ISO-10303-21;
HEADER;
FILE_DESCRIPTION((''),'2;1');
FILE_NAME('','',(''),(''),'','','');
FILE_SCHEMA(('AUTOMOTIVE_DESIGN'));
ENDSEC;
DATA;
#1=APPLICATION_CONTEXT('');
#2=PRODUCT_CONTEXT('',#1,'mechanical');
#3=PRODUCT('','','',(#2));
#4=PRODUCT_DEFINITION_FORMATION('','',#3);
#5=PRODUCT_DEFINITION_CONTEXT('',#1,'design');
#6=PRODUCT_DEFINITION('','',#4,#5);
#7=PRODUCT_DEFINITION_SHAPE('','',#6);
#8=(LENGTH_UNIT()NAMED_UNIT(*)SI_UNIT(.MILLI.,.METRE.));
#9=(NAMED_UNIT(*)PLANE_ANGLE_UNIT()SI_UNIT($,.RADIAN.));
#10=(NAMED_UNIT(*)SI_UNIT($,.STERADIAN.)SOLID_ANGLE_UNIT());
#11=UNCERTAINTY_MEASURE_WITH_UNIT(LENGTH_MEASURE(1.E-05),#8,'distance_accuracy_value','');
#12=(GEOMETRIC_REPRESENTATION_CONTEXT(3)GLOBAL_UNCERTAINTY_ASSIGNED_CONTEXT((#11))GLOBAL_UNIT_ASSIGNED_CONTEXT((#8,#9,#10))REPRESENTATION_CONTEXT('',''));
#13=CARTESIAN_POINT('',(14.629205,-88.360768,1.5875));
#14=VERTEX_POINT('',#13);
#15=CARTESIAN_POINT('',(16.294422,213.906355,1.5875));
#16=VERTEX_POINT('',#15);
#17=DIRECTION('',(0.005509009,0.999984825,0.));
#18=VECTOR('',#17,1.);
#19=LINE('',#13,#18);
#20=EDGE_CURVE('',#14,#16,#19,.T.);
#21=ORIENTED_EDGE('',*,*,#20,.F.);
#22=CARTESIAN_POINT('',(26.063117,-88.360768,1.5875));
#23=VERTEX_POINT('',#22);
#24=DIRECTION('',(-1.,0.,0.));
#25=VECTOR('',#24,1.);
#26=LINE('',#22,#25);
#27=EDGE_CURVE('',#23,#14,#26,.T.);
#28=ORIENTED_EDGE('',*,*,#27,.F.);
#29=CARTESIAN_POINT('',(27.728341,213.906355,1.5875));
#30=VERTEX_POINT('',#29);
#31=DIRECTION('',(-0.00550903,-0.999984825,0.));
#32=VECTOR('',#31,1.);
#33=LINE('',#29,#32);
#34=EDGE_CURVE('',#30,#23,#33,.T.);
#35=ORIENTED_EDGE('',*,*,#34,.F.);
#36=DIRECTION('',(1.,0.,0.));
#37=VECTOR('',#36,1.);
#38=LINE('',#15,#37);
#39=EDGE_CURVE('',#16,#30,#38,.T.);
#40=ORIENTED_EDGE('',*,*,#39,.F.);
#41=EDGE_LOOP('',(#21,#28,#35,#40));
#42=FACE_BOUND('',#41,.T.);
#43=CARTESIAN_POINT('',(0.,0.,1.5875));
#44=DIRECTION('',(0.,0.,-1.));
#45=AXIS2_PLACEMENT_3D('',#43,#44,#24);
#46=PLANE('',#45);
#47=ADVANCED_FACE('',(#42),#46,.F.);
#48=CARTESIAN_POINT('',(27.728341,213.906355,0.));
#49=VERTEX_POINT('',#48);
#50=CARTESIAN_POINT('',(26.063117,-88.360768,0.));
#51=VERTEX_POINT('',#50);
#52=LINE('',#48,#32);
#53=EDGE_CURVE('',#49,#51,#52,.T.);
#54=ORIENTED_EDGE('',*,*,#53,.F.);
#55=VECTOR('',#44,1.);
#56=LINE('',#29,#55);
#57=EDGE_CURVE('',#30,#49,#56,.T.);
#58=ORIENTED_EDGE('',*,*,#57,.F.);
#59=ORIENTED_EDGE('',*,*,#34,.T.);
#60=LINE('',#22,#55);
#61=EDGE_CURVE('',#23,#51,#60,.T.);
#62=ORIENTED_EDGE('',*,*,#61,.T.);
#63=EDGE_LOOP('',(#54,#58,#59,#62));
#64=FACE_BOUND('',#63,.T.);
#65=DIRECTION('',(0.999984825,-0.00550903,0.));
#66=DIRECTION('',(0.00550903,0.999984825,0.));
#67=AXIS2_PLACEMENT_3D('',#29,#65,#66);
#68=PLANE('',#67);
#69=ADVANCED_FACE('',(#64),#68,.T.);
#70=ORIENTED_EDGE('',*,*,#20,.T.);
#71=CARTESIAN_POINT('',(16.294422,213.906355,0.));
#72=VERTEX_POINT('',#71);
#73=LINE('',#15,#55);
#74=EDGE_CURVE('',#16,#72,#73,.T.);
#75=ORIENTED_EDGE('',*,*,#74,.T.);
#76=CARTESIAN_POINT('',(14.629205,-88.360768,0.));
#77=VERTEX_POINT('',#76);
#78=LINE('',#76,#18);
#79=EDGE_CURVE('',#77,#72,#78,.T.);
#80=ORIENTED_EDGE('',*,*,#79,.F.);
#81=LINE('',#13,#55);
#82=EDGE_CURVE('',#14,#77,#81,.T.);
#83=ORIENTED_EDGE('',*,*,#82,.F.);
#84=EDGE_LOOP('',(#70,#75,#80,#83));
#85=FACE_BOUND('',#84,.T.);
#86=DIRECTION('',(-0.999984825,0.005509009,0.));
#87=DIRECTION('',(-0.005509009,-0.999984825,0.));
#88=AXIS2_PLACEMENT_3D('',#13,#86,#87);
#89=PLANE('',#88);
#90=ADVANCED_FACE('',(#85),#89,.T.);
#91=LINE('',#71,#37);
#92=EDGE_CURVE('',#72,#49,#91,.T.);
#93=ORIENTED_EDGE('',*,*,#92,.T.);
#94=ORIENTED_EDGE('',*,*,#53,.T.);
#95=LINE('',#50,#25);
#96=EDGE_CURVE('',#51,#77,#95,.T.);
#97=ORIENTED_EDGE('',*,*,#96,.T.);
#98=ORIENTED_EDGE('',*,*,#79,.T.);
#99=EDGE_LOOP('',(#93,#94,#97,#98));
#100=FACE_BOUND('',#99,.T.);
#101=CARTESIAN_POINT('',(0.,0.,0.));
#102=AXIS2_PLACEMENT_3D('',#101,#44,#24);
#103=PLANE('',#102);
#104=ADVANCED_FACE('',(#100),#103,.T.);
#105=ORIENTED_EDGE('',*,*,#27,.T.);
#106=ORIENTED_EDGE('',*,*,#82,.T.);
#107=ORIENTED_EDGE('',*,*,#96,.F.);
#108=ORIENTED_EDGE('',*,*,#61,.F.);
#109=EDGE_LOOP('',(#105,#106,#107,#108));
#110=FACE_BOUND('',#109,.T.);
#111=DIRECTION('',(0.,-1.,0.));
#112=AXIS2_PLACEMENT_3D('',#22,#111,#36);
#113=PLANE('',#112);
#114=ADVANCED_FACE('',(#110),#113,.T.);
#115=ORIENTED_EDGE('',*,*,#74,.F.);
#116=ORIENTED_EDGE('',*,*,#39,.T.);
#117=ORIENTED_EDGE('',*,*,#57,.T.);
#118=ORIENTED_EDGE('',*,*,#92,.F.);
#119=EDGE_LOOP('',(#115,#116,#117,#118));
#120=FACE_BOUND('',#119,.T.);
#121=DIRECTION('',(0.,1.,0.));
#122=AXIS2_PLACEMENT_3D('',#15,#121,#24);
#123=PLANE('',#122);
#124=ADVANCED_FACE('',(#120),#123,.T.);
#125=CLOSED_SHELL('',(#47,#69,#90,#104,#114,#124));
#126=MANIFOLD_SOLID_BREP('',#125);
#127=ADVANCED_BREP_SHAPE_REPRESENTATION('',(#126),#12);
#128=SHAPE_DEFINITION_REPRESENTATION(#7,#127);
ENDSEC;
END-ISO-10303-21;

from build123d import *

# Parameters (mm, degrees)
BOSS_EXTRUDE1_DEPTH = 1.5875


with BuildPart() as part:
    # Sketch1 → Boss-Extrude1 (new body)
    with BuildSketch(Plane.XY):
        Polygon((14.629204605, -88.360768306), (16.294422033, 213.906354793), (27.728340931, 213.906354793), (26.063117095, -88.360768306), align=None)
    extrude(amount=BOSS_EXTRUDE1_DEPTH)


solid = part.part
